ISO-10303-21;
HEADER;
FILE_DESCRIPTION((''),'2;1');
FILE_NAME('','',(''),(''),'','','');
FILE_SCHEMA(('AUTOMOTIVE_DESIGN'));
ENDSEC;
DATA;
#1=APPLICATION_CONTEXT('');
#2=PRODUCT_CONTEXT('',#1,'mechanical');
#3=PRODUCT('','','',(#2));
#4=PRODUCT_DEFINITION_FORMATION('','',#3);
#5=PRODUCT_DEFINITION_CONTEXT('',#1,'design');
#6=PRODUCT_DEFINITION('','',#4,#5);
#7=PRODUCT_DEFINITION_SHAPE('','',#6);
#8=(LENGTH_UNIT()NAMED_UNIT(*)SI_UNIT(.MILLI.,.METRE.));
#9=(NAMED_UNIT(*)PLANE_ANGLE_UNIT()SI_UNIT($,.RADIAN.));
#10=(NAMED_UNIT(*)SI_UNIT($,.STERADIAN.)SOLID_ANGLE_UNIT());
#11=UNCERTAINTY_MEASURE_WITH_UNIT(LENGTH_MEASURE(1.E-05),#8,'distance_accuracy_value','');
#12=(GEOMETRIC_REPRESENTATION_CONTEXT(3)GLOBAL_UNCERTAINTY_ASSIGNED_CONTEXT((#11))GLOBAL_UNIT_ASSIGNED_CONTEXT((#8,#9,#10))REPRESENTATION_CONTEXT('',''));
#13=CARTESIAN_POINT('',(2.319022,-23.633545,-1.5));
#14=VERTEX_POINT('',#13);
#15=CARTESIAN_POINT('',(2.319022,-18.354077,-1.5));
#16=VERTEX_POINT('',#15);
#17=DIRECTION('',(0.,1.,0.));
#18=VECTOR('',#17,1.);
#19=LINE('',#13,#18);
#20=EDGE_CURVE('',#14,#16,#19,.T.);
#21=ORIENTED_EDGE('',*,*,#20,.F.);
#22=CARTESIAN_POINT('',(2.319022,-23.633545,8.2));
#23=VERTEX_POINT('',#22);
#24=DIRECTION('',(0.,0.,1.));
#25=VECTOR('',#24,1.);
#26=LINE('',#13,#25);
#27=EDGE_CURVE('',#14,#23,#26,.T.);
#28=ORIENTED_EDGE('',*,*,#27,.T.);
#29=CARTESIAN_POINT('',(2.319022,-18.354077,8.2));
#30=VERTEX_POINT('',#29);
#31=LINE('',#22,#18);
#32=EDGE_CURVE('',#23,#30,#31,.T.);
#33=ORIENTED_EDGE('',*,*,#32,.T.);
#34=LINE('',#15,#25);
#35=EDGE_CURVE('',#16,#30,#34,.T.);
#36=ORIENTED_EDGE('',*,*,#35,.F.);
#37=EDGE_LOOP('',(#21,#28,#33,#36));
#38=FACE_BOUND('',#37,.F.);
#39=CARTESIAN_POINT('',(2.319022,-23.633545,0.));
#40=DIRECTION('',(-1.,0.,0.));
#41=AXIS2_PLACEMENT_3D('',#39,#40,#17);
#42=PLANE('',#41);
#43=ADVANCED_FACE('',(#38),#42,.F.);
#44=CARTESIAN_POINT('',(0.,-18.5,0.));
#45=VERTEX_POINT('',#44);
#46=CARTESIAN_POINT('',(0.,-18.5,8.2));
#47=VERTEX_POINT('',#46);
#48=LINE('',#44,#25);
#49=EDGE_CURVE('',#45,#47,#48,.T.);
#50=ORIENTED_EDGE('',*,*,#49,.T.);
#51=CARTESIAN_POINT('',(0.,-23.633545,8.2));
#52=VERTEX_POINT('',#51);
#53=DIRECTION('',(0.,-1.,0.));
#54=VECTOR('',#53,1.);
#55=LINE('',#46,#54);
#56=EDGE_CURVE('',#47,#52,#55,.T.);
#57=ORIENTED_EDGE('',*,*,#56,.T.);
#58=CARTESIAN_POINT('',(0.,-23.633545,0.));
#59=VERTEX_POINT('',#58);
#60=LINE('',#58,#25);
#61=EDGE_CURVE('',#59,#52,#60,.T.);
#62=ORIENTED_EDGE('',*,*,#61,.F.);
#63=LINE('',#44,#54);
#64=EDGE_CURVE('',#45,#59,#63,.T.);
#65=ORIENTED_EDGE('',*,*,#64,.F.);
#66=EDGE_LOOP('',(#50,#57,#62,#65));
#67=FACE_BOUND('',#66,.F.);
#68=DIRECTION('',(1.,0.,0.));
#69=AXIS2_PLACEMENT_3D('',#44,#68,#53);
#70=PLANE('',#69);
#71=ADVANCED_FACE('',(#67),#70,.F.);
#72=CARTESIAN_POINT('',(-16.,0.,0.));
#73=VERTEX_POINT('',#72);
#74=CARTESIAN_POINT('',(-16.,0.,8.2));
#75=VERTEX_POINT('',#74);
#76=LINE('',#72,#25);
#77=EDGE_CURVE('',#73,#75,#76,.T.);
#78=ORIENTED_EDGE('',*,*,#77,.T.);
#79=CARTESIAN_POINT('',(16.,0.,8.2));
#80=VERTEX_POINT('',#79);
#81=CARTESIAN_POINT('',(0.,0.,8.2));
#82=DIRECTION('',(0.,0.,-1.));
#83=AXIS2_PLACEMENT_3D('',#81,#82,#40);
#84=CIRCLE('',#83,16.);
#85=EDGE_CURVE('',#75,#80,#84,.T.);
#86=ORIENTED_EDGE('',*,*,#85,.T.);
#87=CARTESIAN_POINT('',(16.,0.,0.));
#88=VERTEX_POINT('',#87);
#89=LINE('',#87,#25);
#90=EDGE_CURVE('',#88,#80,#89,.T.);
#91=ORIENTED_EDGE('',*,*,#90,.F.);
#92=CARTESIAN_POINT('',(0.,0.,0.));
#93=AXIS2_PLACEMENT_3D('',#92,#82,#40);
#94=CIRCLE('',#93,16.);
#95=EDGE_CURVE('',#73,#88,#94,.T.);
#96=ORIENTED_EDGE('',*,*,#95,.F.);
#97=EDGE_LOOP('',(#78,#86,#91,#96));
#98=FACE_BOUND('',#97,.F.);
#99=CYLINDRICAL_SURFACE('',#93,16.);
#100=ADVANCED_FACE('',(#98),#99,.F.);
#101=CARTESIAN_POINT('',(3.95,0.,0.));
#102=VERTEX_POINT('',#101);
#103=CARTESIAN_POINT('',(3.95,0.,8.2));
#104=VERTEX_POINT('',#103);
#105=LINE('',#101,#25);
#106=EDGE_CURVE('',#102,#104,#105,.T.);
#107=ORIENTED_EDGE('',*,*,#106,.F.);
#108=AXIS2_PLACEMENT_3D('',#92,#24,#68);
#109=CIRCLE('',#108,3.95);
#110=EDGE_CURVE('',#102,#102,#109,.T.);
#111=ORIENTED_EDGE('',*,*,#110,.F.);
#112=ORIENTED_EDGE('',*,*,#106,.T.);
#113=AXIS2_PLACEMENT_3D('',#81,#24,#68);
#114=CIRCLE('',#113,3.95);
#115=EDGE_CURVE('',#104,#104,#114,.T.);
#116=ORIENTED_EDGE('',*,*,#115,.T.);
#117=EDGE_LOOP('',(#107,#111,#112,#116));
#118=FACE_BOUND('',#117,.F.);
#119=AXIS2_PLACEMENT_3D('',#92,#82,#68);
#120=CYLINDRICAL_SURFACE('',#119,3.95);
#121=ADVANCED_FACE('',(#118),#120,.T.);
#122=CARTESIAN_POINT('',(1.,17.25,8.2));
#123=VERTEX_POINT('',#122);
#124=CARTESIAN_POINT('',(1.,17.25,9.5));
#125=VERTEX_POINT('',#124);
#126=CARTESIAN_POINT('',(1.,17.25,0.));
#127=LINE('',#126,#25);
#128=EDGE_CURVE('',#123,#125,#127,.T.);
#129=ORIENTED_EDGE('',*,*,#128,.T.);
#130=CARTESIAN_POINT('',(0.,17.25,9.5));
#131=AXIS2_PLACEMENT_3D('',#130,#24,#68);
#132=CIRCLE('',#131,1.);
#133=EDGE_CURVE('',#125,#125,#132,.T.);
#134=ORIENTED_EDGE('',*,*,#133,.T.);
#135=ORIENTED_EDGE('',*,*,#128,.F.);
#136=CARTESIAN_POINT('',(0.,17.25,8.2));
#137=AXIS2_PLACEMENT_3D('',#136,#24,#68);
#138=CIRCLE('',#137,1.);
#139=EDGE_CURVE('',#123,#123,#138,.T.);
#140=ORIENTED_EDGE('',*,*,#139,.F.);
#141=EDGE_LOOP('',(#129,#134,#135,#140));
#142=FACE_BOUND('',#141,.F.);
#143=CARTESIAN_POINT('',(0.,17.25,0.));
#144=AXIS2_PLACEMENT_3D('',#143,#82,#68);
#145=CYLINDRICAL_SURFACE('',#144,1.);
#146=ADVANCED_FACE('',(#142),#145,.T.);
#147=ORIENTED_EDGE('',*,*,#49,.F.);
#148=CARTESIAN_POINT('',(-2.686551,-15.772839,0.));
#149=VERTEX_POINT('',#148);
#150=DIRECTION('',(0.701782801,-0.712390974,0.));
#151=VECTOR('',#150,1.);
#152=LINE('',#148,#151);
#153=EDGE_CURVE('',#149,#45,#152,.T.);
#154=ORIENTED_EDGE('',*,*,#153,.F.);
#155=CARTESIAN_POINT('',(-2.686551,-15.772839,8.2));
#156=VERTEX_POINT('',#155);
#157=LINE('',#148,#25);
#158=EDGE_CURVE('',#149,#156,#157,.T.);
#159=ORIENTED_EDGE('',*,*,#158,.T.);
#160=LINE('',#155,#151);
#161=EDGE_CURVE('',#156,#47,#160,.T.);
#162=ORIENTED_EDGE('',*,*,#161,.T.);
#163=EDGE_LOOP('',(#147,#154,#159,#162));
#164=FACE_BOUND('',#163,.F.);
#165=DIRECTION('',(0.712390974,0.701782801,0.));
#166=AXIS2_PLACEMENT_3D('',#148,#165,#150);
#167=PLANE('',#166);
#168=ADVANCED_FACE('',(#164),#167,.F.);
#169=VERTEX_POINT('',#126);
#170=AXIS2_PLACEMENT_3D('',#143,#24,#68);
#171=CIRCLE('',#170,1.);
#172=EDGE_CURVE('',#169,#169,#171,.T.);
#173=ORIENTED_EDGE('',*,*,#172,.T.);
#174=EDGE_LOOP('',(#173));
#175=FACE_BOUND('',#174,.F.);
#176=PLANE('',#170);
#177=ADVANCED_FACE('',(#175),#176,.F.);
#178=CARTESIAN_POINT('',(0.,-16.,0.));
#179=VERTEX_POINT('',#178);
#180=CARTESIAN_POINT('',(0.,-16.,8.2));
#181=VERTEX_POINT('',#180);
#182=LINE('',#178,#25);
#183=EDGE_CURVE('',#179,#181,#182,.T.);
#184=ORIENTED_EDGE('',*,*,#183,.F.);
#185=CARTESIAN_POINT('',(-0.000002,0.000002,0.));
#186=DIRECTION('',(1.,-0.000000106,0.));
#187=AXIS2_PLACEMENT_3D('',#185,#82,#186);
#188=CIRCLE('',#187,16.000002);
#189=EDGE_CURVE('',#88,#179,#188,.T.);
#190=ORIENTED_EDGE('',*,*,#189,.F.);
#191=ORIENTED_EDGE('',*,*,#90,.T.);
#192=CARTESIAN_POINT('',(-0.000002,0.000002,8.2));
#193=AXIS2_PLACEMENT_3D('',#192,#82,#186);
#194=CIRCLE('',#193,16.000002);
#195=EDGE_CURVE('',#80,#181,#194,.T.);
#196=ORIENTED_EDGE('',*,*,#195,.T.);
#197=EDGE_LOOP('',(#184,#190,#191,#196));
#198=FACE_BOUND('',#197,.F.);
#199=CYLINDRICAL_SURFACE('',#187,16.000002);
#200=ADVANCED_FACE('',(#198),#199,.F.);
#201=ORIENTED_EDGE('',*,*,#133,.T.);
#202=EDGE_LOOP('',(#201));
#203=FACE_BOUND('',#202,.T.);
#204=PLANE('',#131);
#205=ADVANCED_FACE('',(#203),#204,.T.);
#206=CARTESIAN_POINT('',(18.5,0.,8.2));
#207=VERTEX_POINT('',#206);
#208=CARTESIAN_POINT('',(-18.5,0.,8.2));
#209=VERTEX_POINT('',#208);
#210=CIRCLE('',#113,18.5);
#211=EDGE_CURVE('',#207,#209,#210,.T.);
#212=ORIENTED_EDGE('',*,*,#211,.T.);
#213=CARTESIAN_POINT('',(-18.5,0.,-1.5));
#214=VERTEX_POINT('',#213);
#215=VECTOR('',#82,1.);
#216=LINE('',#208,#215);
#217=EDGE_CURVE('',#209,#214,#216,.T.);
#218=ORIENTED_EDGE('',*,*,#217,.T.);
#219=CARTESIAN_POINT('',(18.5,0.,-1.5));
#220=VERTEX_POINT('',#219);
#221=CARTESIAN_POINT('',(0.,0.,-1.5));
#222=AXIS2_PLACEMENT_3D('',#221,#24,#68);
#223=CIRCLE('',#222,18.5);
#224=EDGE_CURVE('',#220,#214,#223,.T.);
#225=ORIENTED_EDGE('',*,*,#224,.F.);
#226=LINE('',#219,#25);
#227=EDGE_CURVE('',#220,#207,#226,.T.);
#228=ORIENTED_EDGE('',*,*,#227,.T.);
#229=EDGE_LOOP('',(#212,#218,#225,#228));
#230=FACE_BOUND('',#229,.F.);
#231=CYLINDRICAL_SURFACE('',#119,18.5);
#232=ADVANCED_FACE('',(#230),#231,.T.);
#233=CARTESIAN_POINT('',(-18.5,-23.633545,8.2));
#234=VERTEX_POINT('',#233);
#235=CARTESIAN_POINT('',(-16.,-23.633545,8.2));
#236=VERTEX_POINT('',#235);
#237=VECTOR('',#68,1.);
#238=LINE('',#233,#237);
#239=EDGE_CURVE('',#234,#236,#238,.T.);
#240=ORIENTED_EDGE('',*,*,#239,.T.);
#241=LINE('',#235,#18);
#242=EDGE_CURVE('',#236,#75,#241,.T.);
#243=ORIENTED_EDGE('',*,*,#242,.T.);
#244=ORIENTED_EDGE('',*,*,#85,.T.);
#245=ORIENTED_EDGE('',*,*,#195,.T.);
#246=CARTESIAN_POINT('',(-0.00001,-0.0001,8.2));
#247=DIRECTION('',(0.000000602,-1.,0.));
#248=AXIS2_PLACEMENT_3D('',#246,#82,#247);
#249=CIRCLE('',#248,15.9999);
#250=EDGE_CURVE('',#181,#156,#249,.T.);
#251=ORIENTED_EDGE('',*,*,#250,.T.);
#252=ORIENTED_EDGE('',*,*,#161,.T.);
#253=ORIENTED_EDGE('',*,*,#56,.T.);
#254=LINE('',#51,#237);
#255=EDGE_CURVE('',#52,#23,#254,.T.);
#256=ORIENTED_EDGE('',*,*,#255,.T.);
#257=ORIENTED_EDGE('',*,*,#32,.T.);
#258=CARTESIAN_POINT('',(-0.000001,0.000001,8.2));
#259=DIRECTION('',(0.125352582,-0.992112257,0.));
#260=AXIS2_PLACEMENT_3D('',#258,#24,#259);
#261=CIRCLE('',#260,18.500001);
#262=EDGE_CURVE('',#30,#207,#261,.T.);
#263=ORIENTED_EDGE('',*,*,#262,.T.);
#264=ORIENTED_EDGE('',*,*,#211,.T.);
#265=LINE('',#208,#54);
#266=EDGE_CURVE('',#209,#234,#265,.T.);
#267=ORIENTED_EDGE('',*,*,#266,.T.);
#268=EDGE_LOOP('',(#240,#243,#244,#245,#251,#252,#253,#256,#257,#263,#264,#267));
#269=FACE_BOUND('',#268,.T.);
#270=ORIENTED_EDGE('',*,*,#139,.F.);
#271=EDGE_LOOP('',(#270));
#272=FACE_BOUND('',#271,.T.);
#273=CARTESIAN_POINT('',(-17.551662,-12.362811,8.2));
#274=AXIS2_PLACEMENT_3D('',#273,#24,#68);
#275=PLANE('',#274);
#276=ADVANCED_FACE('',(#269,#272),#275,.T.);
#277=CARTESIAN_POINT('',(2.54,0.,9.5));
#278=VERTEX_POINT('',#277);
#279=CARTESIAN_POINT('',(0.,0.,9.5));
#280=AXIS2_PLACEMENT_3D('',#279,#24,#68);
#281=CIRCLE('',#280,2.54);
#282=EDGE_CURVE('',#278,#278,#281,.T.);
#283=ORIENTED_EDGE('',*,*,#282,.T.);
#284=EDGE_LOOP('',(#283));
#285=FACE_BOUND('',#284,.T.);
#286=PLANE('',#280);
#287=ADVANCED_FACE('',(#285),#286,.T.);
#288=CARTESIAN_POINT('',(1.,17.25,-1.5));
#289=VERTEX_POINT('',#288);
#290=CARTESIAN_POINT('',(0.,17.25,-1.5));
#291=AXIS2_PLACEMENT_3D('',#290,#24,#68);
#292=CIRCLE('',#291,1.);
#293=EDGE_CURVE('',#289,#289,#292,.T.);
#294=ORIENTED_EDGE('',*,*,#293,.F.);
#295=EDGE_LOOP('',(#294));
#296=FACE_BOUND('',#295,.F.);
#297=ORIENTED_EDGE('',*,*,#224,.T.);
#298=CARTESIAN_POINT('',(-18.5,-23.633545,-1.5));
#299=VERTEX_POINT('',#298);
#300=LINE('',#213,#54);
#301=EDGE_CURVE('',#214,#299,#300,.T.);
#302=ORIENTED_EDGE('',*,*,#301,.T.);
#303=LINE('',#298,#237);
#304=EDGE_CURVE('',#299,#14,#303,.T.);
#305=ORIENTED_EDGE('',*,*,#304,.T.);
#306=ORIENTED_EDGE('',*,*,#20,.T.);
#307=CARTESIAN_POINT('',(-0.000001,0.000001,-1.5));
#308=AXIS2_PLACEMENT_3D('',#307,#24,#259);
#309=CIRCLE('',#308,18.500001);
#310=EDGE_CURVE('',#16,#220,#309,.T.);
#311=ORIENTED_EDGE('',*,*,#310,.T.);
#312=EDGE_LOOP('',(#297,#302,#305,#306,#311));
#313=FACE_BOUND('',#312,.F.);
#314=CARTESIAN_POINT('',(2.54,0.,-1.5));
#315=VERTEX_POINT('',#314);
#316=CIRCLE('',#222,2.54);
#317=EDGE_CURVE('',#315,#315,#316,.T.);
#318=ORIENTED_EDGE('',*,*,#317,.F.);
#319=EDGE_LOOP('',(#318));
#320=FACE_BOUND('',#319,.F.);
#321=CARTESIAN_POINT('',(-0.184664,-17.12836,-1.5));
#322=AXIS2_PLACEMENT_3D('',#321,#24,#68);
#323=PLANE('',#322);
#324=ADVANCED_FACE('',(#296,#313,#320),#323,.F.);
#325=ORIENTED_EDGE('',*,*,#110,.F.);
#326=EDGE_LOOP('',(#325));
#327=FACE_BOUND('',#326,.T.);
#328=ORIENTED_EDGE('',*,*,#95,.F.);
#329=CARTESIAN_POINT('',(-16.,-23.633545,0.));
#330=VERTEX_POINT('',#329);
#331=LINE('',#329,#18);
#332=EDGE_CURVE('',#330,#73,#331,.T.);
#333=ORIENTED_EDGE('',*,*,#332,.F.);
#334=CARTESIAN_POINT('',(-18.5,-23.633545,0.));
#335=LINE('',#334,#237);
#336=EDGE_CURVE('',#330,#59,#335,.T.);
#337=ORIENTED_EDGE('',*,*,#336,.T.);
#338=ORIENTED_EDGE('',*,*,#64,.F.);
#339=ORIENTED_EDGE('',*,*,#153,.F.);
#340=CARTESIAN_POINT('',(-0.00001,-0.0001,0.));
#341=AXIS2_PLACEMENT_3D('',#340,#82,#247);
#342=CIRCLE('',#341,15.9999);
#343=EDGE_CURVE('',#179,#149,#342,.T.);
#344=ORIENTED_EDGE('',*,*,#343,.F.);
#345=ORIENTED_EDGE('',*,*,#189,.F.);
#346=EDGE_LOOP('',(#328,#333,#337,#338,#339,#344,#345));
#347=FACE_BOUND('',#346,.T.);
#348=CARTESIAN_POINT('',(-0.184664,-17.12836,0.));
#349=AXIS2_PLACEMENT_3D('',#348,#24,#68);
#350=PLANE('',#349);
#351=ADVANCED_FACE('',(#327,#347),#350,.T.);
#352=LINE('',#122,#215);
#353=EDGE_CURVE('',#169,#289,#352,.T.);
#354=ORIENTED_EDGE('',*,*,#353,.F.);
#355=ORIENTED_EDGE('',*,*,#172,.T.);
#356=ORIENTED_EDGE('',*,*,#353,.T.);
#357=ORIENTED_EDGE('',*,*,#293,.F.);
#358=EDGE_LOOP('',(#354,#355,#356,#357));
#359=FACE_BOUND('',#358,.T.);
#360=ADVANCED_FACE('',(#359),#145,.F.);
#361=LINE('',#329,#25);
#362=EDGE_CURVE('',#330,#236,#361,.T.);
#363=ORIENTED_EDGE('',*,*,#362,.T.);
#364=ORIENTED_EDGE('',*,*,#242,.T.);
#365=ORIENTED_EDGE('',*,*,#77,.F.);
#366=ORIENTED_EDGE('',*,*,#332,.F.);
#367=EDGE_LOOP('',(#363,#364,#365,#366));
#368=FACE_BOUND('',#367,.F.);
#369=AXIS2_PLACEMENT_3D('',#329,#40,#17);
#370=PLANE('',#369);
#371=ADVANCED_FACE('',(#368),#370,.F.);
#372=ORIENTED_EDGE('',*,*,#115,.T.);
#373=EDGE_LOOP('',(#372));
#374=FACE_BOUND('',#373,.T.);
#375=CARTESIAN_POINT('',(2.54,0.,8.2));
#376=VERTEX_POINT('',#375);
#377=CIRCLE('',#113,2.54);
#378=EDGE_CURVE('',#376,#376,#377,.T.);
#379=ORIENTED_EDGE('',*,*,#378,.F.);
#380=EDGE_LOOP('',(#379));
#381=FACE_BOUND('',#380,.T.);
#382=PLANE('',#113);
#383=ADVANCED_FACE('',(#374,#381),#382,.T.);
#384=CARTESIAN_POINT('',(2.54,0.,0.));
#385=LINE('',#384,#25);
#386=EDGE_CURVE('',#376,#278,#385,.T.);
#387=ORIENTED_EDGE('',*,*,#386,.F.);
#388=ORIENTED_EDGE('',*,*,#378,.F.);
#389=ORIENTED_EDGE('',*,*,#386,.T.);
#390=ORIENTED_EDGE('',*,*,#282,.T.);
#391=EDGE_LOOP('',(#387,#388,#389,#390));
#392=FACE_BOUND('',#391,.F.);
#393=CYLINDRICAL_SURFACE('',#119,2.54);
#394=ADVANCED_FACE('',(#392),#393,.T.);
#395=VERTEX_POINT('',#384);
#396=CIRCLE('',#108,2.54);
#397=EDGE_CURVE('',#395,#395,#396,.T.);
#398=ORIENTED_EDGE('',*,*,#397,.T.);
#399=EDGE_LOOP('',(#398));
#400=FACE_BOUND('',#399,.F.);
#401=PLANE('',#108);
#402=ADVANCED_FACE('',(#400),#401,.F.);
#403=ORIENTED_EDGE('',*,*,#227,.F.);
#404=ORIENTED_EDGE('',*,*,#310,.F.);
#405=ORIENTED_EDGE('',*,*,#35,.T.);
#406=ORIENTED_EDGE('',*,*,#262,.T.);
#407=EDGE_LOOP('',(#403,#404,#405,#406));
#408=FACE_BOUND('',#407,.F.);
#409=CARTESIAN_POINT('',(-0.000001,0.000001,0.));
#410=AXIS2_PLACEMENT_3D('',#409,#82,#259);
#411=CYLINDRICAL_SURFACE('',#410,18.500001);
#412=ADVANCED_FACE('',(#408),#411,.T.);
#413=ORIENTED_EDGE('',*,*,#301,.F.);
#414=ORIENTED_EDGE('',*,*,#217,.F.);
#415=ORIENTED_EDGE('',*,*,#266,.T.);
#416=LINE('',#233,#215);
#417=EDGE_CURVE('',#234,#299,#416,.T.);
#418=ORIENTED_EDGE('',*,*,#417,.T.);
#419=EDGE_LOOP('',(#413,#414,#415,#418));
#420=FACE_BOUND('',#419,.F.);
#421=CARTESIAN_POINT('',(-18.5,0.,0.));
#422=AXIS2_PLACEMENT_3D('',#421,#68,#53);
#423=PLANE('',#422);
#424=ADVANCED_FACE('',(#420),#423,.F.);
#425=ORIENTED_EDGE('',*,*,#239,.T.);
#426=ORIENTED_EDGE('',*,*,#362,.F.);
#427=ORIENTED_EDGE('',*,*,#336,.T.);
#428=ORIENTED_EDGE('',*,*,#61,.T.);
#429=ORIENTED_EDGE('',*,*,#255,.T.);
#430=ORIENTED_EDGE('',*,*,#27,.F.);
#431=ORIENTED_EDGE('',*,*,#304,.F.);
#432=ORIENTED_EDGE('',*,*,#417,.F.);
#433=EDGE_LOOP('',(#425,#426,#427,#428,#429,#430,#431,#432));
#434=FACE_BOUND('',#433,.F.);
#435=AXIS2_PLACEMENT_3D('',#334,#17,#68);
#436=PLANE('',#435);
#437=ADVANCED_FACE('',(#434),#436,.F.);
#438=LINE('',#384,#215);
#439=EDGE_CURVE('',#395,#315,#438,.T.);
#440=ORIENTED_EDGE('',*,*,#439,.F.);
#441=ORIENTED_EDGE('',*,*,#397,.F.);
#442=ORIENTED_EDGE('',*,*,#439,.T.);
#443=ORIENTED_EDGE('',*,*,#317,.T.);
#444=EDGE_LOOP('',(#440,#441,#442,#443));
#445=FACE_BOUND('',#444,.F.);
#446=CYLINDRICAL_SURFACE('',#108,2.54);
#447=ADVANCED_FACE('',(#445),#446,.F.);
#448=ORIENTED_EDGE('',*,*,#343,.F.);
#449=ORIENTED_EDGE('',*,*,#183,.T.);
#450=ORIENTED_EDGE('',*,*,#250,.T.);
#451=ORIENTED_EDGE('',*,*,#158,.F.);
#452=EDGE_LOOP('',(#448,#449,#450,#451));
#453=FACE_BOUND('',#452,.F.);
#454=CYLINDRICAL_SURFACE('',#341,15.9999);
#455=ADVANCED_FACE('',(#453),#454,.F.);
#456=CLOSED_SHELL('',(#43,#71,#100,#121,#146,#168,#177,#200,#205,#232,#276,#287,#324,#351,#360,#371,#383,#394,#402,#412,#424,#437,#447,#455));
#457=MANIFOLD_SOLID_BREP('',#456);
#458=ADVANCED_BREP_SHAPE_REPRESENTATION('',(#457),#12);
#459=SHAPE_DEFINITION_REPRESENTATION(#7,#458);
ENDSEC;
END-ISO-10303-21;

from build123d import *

# Parameters (mm, degrees)
F0_R     = 3.95
F0_R_2   = 2.54
F0_R_3   = 1
F1_DEPTH = 1.5
F2_DEPTH = 8.2
F3_DEPTH = 9.5


with BuildPart() as f1:
    # F0 (on Top) → F1 (new body)
    with BuildSketch(Plane.XY):
        with BuildLine():
            Line((2.319022, -18.354077), (0, -16))
            ThreePointArc((0, -16), (-1.348069, -15.943109), (-2.686551, -15.772839))
            Line((-2.686551, -15.772839), (0, -18.5))
            ThreePointArc((0, -18.5), (1.161804, -18.463483), (2.319022, -18.354077))
        make_face()
        with BuildLine():
            ThreePointArc((0, -18.5), (-9.231437, -16.032173), (-16, -9.287088))
            Line((-16, -9.287088), (-16, -23.633545))
            Line((-16, -23.633545), (0, -23.633545))
            Line((0, -23.633545), (0, -20.048685))
            Line((0, -20.048685), (0, -18.5))
        make_face()
        with BuildLine():
            ThreePointArc((-2.686551, -15.772839), (-12.226709, -10.320251), (-16, 0))
            Line((-16, 0), (-16, -9.287088))
            ThreePointArc((-16, -9.287088), (-9.231437, -16.032173), (0, -18.5))
            Line((0, -18.5), (-2.686551, -15.772839))
        make_face()
        with BuildLine():
            ThreePointArc((0, -16), (11.313708, -11.313708), (16, 0))
            ThreePointArc((16, 0), (0, 16), (-16, 0))
            ThreePointArc((-16, 0), (-12.226709, -10.320251), (-2.686551, -15.772839))
            ThreePointArc((-2.686551, -15.772839), (-1.348069, -15.943109), (0, -16))
        make_face()
        Circle(F0_R, mode=Mode.SUBTRACT)
        Circle(F0_R)
        Circle(F0_R_2, mode=Mode.SUBTRACT)
        with BuildLine():
            ThreePointArc((-16, 0), (0, 16), (16, 0))
            ThreePointArc((16, 0), (11.313708, -11.313708), (0, -16))
            Line((0, -16), (2.319022, -18.354077))
            ThreePointArc((2.319022, -18.354077), (13.877174, -12.234134), (18.5, 0))
            ThreePointArc((18.5, 0), (0, 18.5), (-18.5, 0))
            Line((-18.5, 0), (-16, 0))
        make_face()
        with Locations((0, 17.25)):
            Circle(F0_R_3, mode=Mode.SUBTRACT)
        with BuildLine():
            Line((-16, -9.287088), (-16, 0))
            Line((-16, 0), (-18.5, 0))
            ThreePointArc((-18.5, 0), (-17.86407, -4.808846), (-16, -9.287088))
        make_face()
        with BuildLine():
            Line((-16, -23.633545), (-16, -9.287088))
            ThreePointArc((-16, -9.287088), (-17.86407, -4.808846), (-18.5, 0))
            Line((-18.5, 0), (-18.5, -23.633545))
            Line((-18.5, -23.633545), (-16, -23.633545))
        make_face()
        with BuildLine():
            Line((2.319022, -23.633545), (2.319022, -18.354077))
            ThreePointArc((2.319022, -18.354077), (1.161804, -18.463483), (0, -18.5))
            Line((0, -18.5), (0, -20.048685))
            Line((0, -20.048685), (0, -23.633545))
            Line((0, -23.633545), (2.319022, -23.633545))
        make_face()
    extrude(amount=-F1_DEPTH)

    # F0 (on Top) → F2 (join)
    with BuildSketch(Plane.XY):
        with BuildLine():
            Line((-16, -23.633545), (-16, -9.287088))
            ThreePointArc((-16, -9.287088), (-17.86407, -4.808846), (-18.5, 0))
            Line((-18.5, 0), (-18.5, -23.633545))
            Line((-18.5, -23.633545), (-16, -23.633545))
        make_face()
        with BuildLine():
            Line((-16, -9.287088), (-16, 0))
            Line((-16, 0), (-18.5, 0))
            ThreePointArc((-18.5, 0), (-17.86407, -4.808846), (-16, -9.287088))
        make_face()
        with BuildLine():
            ThreePointArc((-16, 0), (0, 16), (16, 0))
            ThreePointArc((16, 0), (11.313708, -11.313708), (0, -16))
            Line((0, -16), (2.319022, -18.354077))
            ThreePointArc((2.319022, -18.354077), (13.877174, -12.234134), (18.5, 0))
            ThreePointArc((18.5, 0), (0, 18.5), (-18.5, 0))
            Line((-18.5, 0), (-16, 0))
        make_face()
        with Locations((0, 17.25)):
            Circle(F0_R_3, mode=Mode.SUBTRACT)
        with BuildLine():
            Line((2.319022, -23.633545), (2.319022, -18.354077))
            ThreePointArc((2.319022, -18.354077), (1.161804, -18.463483), (0, -18.5))
            Line((0, -18.5), (0, -20.048685))
            Line((0, -20.048685), (0, -23.633545))
            Line((0, -23.633545), (2.319022, -23.633545))
        make_face()
        with BuildLine():
            Line((2.319022, -18.354077), (0, -16))
            ThreePointArc((0, -16), (-1.348069, -15.943109), (-2.686551, -15.772839))
            Line((-2.686551, -15.772839), (0, -18.5))
            ThreePointArc((0, -18.5), (1.161804, -18.463483), (2.319022, -18.354077))
        make_face()
        Circle(F0_R)
        Circle(F0_R_2, mode=Mode.SUBTRACT)
    extrude(amount=F2_DEPTH)

    # F0 (on Top) → F3 (join)
    with BuildSketch(Plane.XY):
        with Locations((0, 17.25)):
            Circle(F0_R_3)
        Circle(F0_R_2)
    extrude(amount=F3_DEPTH)


solid = f1.part
